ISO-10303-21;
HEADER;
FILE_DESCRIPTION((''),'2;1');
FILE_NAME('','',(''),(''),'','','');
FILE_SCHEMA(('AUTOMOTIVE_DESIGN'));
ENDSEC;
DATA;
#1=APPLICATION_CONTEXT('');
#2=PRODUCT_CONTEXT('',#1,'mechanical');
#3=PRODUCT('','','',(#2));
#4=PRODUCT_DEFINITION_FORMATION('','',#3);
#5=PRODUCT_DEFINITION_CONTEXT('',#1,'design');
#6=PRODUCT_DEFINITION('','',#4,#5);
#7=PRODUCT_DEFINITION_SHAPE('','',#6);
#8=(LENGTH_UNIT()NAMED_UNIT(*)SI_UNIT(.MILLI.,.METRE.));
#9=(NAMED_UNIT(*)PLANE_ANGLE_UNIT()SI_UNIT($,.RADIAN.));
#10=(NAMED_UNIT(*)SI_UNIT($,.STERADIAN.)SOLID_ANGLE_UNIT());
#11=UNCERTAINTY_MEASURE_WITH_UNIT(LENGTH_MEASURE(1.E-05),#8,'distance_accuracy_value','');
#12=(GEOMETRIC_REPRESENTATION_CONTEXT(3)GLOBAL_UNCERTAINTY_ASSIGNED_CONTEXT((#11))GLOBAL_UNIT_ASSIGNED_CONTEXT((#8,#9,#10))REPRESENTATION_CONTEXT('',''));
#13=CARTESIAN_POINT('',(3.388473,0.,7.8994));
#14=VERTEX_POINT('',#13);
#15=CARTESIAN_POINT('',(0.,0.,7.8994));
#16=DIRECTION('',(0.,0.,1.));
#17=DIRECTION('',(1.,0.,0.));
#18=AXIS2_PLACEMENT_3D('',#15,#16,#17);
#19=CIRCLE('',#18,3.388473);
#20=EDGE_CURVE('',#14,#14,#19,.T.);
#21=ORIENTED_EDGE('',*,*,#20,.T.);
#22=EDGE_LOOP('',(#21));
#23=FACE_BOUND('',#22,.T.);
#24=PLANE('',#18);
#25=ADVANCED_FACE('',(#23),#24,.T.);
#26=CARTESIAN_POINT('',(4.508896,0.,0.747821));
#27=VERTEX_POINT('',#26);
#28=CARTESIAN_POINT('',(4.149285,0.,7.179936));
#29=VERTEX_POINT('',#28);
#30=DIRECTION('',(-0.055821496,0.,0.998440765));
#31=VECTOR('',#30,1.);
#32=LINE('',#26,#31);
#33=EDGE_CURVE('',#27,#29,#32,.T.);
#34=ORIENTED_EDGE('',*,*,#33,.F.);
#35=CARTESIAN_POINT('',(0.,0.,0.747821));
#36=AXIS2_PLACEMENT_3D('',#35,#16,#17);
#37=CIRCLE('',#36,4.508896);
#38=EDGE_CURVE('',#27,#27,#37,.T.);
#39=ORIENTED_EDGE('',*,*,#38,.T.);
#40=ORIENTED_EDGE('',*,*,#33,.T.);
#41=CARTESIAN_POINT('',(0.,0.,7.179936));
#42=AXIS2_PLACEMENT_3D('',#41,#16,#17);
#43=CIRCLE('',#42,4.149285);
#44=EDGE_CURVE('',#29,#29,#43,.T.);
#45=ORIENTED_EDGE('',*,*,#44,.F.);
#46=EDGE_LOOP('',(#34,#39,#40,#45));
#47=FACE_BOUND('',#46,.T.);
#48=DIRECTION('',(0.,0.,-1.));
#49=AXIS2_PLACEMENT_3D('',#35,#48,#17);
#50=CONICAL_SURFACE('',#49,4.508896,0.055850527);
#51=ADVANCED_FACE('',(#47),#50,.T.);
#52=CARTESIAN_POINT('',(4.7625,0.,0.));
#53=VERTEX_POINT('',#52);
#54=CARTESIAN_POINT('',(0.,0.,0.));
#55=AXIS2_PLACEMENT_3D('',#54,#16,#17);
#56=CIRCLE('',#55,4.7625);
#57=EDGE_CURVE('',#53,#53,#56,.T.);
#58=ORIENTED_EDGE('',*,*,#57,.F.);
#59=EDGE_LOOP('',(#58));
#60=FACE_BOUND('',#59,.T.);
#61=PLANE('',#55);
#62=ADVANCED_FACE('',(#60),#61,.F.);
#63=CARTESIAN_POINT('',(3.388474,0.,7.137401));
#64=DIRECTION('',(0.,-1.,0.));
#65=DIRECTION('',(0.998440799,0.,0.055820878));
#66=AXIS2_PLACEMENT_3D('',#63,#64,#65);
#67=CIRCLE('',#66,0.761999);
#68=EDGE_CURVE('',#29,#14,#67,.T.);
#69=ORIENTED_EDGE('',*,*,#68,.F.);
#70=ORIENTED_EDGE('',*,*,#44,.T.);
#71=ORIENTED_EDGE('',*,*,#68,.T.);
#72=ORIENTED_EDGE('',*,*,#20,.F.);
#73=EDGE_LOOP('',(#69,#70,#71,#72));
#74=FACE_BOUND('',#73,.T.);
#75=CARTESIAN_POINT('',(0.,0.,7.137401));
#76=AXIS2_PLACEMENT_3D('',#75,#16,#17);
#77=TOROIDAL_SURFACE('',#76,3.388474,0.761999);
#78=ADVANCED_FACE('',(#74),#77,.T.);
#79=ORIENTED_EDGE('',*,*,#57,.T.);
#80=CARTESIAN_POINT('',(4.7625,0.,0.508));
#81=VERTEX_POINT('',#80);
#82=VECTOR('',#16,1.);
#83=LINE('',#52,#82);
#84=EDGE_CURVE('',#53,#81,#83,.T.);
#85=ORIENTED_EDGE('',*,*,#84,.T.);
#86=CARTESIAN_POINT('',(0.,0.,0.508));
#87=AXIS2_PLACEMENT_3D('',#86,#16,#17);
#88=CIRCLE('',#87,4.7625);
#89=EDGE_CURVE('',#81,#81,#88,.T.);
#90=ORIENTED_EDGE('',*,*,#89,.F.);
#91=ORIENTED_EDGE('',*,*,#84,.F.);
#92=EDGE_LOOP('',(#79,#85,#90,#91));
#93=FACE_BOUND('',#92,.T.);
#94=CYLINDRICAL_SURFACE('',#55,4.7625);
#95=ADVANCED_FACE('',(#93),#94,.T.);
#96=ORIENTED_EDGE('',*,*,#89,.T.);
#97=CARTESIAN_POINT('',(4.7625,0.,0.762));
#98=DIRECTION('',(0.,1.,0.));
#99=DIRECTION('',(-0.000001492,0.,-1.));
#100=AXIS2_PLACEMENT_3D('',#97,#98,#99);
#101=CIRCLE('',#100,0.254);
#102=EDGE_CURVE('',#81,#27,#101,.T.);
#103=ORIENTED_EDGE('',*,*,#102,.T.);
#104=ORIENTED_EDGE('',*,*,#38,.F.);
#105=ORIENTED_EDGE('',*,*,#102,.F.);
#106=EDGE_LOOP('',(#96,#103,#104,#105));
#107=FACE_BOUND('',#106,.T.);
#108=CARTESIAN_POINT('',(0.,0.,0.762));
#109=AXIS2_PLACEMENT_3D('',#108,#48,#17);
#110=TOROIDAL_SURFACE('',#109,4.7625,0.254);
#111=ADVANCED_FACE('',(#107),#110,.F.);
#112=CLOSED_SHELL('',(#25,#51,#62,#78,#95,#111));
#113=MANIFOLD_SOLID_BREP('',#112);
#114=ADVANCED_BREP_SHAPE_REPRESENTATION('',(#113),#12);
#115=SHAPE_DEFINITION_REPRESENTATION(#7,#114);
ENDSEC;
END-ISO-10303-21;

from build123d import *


with BuildPart() as f1:
    # F0 (on Front) → F1 (revolve)
    with BuildSketch(Plane.XZ):
        with BuildLine():
            Line((0, 0.508), (0, 0))
            Line((0, 0), (4.7625, 0))
            Line((4.7625, 0), (4.7625, 0.508))
            ThreePointArc((4.7625, 0.508), (4.58798, 0.57745), (4.508896, 0.747821))
            Line((4.508896, 0.747821), (4.149285, 7.179936))
            ThreePointArc((4.149285, 7.179936), (3.912034, 7.69105), (3.388473, 7.8994))
            Line((3.388473, 7.8994), (0, 7.8994))
            Line((0, 7.8994), (0, 0.508))
        make_face()
    revolve(axis=Axis((0, 0, 3.9497), (0, 0, 1)))


solid = f1.part
